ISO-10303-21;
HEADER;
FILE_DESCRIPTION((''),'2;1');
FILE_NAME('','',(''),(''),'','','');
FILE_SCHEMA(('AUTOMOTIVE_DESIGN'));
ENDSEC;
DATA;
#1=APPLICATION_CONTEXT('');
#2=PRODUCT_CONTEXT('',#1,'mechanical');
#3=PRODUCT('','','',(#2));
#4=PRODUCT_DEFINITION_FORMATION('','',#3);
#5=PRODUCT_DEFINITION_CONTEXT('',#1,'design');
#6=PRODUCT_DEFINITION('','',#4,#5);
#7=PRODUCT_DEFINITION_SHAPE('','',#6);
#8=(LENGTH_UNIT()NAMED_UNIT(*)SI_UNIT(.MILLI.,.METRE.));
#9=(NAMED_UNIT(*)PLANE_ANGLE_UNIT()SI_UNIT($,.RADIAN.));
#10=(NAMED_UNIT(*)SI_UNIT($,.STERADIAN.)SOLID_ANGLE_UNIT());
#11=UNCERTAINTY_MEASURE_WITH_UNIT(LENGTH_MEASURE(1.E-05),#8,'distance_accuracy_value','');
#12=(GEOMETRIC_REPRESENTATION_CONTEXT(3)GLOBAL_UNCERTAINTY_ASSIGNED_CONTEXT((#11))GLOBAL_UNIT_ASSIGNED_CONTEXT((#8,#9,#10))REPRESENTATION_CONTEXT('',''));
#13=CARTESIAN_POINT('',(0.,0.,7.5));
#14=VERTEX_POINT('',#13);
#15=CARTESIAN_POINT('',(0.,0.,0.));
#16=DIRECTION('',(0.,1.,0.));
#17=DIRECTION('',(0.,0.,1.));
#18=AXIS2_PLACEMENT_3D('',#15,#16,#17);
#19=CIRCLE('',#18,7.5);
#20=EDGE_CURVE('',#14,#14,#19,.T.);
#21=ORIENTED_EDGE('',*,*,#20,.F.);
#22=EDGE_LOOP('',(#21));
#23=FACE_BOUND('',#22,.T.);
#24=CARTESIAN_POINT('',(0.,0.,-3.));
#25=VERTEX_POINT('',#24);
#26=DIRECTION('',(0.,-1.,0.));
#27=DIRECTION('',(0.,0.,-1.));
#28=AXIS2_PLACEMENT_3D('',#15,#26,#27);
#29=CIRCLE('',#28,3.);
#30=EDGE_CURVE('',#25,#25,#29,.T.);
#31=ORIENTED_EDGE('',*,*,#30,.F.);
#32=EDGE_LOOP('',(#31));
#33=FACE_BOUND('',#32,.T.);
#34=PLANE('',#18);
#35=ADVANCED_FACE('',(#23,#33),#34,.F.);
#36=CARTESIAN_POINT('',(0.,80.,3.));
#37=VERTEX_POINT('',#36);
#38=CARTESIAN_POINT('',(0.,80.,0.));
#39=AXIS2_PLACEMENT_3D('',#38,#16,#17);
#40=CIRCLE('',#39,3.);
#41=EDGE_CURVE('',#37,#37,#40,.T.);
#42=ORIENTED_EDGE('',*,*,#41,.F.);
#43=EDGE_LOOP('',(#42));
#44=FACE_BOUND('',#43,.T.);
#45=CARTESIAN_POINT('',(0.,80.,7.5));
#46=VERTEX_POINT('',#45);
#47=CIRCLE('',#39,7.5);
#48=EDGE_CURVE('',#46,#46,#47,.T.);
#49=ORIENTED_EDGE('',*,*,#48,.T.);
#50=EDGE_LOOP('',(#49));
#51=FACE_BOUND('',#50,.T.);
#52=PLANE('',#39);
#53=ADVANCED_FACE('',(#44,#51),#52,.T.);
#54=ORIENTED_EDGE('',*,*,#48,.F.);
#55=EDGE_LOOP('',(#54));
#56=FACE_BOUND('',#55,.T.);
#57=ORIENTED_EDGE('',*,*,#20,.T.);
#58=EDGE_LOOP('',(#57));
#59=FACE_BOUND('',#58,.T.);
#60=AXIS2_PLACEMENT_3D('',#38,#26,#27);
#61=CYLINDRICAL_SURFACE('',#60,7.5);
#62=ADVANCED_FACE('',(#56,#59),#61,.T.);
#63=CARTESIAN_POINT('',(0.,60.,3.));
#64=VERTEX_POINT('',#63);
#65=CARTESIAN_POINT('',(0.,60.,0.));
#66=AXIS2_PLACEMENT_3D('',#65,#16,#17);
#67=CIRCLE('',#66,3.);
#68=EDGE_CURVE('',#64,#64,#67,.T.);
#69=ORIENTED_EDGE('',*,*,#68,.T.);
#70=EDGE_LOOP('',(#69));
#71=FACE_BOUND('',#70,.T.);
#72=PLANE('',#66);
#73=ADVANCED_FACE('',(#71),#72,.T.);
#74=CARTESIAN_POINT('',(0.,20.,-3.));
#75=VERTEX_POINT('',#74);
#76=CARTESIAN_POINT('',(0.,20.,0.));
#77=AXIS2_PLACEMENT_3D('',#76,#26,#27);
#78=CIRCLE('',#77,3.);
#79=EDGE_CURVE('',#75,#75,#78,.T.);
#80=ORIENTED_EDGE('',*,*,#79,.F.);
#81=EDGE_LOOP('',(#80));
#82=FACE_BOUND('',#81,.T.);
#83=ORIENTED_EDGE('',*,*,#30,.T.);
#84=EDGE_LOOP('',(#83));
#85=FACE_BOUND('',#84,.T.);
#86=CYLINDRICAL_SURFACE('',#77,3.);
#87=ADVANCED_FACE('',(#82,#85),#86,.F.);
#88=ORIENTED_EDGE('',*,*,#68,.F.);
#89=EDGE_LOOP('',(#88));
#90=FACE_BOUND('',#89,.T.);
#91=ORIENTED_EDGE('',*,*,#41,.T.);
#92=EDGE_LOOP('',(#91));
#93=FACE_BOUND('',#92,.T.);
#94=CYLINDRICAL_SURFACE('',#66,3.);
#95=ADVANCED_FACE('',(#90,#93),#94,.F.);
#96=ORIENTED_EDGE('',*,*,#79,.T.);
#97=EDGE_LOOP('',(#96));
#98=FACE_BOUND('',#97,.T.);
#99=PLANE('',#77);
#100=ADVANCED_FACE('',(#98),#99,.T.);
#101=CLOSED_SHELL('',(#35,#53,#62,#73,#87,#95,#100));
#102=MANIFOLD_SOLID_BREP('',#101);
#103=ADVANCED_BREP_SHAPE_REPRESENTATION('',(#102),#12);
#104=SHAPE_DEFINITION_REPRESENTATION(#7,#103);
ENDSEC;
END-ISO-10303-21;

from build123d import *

# Parameters (mm, degrees)
SKETCH_1_R          = 7.5
EXTRUDE_1_DEPTH     = 80
SKETCH_2_R          = 3
CUT_EXTRUDE_1_DEPTH = 20
CUT_EXTRUDE_START   = -20
SKETCH_3_R          = 3
CUT_EXTRUDE_2_DEPTH = 20


with BuildPart() as part:
    # 草图1 → 凸台-拉伸1 (new body)
    with BuildSketch(Plane(origin=(0, 0, 0), x_dir=(1, 0, 0), z_dir=(0, 1, 0))):
        with Locations(Location((0, 0, 0), (0, 0, 270))):
            Circle(SKETCH_1_R)
    extrude(amount=EXTRUDE_1_DEPTH)

    # 草图2 → 切除-拉伸1 (cut)
    with BuildSketch(Plane(origin=(0, 80, 0), x_dir=(1, 0, 0), z_dir=(0, 1, 0))):
        with Locations(Location((0, 0, 0), (0, 0, 270))):
            Circle(SKETCH_2_R)
    extrude(amount=-CUT_EXTRUDE_1_DEPTH, mode=Mode.SUBTRACT)

    # 草图3 → 切除-拉伸2 (cut)
    with BuildSketch(Plane(origin=(0, 0, 0), x_dir=(-1, 0, 0), z_dir=(0, -1, 0)).offset(CUT_EXTRUDE_START)):
        with Locations(Location((0, 0, 0), (0, 0, 270))):
            Circle(SKETCH_3_R)
    extrude(amount=CUT_EXTRUDE_2_DEPTH, mode=Mode.SUBTRACT)


solid = part.part
